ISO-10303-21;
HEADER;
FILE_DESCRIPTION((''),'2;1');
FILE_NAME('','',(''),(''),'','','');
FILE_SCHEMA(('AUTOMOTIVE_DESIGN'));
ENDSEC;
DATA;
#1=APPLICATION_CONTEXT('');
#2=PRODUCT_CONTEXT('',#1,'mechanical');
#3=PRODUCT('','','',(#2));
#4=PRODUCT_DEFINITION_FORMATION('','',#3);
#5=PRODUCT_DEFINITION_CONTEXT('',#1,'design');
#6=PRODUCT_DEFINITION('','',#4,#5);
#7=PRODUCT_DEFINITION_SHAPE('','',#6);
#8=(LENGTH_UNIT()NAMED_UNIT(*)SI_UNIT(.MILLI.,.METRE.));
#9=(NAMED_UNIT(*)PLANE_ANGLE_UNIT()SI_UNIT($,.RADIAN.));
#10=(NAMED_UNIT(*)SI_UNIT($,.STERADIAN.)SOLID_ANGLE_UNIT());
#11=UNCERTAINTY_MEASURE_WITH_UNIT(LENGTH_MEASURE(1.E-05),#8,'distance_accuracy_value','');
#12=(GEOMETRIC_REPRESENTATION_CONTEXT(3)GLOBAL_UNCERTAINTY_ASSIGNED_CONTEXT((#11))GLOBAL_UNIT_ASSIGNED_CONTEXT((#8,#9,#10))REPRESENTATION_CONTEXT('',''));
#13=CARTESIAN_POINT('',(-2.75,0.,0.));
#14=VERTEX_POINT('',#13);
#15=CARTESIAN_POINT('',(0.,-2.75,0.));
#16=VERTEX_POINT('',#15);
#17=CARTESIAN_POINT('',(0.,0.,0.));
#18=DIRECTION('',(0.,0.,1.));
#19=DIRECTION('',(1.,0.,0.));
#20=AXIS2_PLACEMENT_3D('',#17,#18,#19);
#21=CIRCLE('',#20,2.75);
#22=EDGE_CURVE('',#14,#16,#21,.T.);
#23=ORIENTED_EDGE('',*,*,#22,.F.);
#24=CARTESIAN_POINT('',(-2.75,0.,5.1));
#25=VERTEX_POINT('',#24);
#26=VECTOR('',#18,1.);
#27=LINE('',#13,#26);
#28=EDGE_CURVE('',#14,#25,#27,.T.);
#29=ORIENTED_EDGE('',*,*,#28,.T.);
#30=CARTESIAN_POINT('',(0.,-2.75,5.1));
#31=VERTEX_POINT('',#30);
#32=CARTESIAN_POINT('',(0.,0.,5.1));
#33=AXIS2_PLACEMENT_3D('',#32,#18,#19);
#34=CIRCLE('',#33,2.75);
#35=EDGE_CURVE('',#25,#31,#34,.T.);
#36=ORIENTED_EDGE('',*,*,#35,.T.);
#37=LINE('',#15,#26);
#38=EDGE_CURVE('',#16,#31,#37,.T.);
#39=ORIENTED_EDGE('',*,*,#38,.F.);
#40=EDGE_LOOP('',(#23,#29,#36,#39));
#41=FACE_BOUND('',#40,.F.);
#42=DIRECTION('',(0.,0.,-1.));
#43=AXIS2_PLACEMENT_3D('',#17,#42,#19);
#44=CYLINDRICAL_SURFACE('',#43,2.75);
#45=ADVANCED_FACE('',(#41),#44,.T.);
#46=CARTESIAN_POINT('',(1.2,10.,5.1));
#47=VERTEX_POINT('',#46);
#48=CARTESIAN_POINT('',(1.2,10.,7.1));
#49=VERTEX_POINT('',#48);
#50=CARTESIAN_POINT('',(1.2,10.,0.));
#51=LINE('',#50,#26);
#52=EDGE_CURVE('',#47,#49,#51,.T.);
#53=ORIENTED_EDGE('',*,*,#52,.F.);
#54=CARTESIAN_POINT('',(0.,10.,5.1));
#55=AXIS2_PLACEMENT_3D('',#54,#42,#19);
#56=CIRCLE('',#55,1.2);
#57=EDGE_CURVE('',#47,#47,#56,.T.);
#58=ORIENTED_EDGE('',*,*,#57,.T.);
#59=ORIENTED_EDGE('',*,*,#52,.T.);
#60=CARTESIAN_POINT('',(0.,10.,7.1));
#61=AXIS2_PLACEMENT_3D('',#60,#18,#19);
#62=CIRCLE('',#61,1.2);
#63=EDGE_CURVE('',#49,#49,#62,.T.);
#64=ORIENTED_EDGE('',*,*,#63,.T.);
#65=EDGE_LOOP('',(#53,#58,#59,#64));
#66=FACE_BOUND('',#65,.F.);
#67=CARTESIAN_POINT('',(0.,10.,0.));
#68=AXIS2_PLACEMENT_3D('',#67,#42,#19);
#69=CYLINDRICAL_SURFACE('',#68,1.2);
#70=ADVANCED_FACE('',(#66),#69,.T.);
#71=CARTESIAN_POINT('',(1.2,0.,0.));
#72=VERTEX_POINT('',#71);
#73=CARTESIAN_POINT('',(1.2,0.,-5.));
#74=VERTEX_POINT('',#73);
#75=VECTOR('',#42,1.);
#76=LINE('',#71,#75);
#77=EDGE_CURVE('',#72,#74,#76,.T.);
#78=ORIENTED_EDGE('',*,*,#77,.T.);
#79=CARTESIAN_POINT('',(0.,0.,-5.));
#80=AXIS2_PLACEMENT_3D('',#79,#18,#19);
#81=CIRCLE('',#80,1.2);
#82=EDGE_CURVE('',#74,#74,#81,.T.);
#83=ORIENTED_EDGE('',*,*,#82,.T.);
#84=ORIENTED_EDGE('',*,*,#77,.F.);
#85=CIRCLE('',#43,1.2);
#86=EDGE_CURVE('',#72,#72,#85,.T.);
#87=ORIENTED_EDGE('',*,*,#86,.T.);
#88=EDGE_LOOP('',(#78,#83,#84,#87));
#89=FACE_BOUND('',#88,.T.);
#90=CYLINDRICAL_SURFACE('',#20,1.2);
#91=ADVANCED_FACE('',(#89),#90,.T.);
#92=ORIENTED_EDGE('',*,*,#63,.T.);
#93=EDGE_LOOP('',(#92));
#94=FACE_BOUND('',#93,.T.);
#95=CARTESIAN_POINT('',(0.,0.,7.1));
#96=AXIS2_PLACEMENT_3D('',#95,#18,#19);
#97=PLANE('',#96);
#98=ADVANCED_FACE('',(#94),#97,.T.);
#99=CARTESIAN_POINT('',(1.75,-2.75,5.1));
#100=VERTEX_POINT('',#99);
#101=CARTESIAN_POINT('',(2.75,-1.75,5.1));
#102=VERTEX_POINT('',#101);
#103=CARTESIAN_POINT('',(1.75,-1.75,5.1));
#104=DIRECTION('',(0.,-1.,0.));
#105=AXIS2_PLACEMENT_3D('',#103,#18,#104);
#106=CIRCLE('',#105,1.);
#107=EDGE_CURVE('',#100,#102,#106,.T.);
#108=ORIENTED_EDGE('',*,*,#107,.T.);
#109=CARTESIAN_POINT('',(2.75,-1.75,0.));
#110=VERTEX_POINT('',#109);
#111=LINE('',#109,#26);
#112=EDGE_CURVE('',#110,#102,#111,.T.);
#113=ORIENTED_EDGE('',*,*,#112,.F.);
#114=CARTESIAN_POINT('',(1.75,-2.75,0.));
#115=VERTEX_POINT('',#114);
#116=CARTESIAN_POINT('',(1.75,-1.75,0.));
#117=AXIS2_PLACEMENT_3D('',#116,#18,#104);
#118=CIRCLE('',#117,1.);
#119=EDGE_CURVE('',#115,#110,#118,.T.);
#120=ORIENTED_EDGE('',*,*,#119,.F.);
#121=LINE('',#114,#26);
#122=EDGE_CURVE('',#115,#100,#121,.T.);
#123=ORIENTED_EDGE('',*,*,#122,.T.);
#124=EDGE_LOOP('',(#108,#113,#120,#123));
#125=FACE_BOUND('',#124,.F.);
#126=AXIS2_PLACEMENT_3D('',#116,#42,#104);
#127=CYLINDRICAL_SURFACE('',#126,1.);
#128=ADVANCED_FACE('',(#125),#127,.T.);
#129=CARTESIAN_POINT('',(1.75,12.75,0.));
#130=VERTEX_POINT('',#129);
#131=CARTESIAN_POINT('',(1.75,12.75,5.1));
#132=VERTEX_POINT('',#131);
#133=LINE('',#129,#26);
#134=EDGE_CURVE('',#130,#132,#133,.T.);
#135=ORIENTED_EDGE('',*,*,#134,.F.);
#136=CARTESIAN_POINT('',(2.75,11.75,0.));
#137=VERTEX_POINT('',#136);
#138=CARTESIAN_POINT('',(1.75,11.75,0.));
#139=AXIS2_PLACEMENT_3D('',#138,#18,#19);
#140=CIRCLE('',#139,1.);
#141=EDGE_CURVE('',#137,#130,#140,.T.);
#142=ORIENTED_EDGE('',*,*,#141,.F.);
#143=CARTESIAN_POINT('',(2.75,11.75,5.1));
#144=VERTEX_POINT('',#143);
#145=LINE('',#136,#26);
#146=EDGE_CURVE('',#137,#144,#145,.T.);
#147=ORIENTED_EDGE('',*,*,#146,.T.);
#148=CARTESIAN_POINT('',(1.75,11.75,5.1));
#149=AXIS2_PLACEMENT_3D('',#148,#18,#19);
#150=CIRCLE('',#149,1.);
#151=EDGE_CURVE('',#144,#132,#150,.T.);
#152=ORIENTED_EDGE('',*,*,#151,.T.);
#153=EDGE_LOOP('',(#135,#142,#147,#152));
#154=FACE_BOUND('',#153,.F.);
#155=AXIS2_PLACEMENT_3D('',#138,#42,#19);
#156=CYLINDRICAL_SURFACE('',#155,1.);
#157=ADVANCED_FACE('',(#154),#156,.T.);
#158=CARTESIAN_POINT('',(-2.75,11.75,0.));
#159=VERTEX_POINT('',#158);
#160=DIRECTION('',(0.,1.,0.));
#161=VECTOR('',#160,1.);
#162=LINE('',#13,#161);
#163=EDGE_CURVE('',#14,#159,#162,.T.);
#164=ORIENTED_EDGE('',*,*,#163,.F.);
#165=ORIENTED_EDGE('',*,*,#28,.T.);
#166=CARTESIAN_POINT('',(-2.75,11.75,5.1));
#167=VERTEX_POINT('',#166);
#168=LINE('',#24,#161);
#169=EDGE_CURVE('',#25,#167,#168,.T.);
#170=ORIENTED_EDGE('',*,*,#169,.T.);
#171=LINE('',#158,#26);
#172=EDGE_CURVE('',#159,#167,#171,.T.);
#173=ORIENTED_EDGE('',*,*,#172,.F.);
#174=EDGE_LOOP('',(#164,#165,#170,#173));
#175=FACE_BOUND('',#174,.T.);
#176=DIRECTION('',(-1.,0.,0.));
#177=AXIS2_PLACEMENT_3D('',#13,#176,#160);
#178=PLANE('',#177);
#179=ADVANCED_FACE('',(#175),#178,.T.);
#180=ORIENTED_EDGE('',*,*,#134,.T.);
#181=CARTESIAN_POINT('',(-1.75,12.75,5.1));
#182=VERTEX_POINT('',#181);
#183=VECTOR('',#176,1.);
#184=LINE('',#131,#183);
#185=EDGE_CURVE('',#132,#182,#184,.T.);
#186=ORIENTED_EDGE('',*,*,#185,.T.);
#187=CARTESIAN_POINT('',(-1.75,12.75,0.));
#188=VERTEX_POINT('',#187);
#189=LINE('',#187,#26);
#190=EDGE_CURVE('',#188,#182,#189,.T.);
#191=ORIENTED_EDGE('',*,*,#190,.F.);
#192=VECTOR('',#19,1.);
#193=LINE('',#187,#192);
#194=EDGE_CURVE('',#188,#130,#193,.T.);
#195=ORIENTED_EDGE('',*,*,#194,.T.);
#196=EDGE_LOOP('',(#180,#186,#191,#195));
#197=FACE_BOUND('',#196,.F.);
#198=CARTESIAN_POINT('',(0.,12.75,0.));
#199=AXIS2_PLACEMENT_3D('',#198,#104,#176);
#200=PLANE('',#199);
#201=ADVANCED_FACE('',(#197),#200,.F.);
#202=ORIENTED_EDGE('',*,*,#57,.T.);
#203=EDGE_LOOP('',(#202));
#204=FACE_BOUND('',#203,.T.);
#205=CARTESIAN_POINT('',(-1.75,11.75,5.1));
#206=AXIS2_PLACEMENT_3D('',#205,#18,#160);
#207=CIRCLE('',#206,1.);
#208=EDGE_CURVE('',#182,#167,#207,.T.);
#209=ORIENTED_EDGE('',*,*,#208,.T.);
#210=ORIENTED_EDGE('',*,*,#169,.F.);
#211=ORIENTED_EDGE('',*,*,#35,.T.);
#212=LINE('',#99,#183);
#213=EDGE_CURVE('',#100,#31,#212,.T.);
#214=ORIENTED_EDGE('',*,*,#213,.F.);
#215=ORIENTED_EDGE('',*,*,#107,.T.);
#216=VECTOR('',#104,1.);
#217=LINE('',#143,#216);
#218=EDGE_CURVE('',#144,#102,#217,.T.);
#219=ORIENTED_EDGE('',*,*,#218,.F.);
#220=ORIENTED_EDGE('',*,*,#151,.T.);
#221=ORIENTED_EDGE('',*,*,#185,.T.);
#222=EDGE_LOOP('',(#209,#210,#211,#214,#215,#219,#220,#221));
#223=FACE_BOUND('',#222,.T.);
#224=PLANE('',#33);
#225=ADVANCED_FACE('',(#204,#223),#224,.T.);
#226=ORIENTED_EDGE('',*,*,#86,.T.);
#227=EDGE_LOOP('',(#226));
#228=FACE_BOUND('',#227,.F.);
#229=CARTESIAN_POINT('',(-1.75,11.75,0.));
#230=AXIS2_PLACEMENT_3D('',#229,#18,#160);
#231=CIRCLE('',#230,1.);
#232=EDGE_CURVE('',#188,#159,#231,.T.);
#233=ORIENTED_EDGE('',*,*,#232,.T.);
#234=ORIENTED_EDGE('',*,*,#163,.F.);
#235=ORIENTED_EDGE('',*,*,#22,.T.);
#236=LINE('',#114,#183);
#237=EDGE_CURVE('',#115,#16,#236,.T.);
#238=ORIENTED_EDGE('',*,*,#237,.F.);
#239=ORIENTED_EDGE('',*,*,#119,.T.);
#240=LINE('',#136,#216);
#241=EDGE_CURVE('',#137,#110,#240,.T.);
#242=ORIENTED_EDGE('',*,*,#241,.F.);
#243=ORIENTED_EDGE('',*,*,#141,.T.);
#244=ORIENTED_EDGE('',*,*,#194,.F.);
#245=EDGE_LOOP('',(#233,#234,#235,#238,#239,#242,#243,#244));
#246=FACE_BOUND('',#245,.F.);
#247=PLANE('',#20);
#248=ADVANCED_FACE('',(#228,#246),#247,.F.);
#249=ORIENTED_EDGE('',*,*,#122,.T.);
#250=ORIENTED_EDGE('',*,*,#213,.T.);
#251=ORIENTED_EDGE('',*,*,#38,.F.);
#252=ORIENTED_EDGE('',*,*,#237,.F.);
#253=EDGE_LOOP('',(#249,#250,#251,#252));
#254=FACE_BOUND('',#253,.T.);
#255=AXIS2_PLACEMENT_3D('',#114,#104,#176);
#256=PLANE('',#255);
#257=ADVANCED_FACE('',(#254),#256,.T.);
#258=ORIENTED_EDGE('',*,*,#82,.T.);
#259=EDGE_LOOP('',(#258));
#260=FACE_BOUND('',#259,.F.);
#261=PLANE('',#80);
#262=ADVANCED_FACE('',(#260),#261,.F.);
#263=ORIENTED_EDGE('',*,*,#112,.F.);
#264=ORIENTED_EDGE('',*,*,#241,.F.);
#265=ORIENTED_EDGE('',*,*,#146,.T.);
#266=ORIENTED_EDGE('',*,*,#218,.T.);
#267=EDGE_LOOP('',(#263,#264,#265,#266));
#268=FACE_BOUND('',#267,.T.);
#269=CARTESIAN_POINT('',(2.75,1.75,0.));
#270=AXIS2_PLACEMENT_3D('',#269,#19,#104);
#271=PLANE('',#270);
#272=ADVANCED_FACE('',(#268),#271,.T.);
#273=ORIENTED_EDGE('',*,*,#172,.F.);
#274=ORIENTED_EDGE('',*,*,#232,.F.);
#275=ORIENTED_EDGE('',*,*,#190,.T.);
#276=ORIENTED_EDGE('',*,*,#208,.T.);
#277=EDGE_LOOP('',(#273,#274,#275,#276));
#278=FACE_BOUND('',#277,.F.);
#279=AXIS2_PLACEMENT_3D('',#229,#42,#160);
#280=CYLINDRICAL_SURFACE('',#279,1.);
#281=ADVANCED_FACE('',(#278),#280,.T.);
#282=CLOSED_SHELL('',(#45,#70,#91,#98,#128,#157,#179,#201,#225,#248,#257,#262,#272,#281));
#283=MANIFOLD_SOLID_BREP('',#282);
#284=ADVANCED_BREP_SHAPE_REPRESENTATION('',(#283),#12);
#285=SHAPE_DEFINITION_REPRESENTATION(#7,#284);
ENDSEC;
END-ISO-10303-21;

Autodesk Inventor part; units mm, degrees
ref_plane "YZ Plane" through (0, 0, 0) normal (1, 0, 0) x (0, 1, 0)
ref_plane "XZ Plane" through (0, 0, 0) normal (0, 1, 0) x (-1, 0, 0)
ref_plane "XY Plane" through (0, 0, 0) normal (0, 0, 1) x (1, 0, 0)
sketch "Sketch1" plane through (0, 0, 0) normal (0, 0, 1) x (1, 0, 0)
  circle A0 centre (0, 0) radius 1.2
  circle A1 centre (0, 0) radius 2.75
  line L0 (-1.75, 2.75) -> (1.75, 2.75)
  line L1 (2.75, 1.75) -> (2.75, -1.75)
  line L2 (1.75, -2.75) -> (-1.75, -2.75)
  line L3 (-2.75, -1.75) -> (-2.75, 1.75)
  arc A2 (-1.75, 2.75) -> (-2.75, 1.75) centre (-1.75, 1.75) ccw
  arc A3 (2.75, 1.75) -> (1.75, 2.75) centre (1.75, 1.75) ccw
  arc A4 (1.75, -2.75) -> (2.75, -1.75) centre (1.75, -1.75) ccw
  arc A5 (-2.75, -1.75) -> (-1.75, -2.75) centre (-1.75, -1.75) ccw
  line L4 (-2.75, 0) -> (2.75, 0)
  line L5 (2.75, 0) -> (2.75, 11.75)
  line L6 (1.75, 12.75) -> (-1.75, 12.75)
  line L7 (-2.75, 11.75) -> (-2.75, 0)
  circle A6 centre (0, 10) radius 2.75
  circle A7 centre (0, 10) radius 1.2
  arc A8 (-1.75, 12.75) -> (-2.75, 11.75) centre (-1.75, 11.75) ccw
  arc A9 (2.75, 11.75) -> (1.75, 12.75) centre (1.75, 11.75) ccw
  point P0 (-2.75, 0)
  point P1 (0, -2.75)
  point P2 (0, 0)
  point P3 (-2.75, 1.75)
  dimension "d0" = 2.4
  dimension "d1" = 5.5
  dimension "d2" = 1
  dimension "d3" = 1
  dimension "d4" = 1
  dimension "d11" = 2.4
  dimension "d12" = 10
  dimension "d13" = 1
  dimension "d14" = 1
extrude "Extrusion1" add sketch "Sketch1" against normal blind 5 contours L4 A0 | A0 L4
extrude "Extrusion2" add sketch "Sketch1" along normal blind 5.1 contours L4 A0 | L4 A1 A0 | A0 L4 A1 | A0 L4 | L1 A4 L2 A1 | A1 L0 A3 L1 | L3 A2 L0 A1 | L0 A2 L7 A6 L5 A3 | A6 L6 A9 L5 | A6 | L7 A8 L6 A6 | A7
extrude "Extrusion3" add sketch "Sketch1" along normal blind 7.1 contours A7
equation "\"d11\" = d0"
properties part number "rpi_base_back_3DPrint"
